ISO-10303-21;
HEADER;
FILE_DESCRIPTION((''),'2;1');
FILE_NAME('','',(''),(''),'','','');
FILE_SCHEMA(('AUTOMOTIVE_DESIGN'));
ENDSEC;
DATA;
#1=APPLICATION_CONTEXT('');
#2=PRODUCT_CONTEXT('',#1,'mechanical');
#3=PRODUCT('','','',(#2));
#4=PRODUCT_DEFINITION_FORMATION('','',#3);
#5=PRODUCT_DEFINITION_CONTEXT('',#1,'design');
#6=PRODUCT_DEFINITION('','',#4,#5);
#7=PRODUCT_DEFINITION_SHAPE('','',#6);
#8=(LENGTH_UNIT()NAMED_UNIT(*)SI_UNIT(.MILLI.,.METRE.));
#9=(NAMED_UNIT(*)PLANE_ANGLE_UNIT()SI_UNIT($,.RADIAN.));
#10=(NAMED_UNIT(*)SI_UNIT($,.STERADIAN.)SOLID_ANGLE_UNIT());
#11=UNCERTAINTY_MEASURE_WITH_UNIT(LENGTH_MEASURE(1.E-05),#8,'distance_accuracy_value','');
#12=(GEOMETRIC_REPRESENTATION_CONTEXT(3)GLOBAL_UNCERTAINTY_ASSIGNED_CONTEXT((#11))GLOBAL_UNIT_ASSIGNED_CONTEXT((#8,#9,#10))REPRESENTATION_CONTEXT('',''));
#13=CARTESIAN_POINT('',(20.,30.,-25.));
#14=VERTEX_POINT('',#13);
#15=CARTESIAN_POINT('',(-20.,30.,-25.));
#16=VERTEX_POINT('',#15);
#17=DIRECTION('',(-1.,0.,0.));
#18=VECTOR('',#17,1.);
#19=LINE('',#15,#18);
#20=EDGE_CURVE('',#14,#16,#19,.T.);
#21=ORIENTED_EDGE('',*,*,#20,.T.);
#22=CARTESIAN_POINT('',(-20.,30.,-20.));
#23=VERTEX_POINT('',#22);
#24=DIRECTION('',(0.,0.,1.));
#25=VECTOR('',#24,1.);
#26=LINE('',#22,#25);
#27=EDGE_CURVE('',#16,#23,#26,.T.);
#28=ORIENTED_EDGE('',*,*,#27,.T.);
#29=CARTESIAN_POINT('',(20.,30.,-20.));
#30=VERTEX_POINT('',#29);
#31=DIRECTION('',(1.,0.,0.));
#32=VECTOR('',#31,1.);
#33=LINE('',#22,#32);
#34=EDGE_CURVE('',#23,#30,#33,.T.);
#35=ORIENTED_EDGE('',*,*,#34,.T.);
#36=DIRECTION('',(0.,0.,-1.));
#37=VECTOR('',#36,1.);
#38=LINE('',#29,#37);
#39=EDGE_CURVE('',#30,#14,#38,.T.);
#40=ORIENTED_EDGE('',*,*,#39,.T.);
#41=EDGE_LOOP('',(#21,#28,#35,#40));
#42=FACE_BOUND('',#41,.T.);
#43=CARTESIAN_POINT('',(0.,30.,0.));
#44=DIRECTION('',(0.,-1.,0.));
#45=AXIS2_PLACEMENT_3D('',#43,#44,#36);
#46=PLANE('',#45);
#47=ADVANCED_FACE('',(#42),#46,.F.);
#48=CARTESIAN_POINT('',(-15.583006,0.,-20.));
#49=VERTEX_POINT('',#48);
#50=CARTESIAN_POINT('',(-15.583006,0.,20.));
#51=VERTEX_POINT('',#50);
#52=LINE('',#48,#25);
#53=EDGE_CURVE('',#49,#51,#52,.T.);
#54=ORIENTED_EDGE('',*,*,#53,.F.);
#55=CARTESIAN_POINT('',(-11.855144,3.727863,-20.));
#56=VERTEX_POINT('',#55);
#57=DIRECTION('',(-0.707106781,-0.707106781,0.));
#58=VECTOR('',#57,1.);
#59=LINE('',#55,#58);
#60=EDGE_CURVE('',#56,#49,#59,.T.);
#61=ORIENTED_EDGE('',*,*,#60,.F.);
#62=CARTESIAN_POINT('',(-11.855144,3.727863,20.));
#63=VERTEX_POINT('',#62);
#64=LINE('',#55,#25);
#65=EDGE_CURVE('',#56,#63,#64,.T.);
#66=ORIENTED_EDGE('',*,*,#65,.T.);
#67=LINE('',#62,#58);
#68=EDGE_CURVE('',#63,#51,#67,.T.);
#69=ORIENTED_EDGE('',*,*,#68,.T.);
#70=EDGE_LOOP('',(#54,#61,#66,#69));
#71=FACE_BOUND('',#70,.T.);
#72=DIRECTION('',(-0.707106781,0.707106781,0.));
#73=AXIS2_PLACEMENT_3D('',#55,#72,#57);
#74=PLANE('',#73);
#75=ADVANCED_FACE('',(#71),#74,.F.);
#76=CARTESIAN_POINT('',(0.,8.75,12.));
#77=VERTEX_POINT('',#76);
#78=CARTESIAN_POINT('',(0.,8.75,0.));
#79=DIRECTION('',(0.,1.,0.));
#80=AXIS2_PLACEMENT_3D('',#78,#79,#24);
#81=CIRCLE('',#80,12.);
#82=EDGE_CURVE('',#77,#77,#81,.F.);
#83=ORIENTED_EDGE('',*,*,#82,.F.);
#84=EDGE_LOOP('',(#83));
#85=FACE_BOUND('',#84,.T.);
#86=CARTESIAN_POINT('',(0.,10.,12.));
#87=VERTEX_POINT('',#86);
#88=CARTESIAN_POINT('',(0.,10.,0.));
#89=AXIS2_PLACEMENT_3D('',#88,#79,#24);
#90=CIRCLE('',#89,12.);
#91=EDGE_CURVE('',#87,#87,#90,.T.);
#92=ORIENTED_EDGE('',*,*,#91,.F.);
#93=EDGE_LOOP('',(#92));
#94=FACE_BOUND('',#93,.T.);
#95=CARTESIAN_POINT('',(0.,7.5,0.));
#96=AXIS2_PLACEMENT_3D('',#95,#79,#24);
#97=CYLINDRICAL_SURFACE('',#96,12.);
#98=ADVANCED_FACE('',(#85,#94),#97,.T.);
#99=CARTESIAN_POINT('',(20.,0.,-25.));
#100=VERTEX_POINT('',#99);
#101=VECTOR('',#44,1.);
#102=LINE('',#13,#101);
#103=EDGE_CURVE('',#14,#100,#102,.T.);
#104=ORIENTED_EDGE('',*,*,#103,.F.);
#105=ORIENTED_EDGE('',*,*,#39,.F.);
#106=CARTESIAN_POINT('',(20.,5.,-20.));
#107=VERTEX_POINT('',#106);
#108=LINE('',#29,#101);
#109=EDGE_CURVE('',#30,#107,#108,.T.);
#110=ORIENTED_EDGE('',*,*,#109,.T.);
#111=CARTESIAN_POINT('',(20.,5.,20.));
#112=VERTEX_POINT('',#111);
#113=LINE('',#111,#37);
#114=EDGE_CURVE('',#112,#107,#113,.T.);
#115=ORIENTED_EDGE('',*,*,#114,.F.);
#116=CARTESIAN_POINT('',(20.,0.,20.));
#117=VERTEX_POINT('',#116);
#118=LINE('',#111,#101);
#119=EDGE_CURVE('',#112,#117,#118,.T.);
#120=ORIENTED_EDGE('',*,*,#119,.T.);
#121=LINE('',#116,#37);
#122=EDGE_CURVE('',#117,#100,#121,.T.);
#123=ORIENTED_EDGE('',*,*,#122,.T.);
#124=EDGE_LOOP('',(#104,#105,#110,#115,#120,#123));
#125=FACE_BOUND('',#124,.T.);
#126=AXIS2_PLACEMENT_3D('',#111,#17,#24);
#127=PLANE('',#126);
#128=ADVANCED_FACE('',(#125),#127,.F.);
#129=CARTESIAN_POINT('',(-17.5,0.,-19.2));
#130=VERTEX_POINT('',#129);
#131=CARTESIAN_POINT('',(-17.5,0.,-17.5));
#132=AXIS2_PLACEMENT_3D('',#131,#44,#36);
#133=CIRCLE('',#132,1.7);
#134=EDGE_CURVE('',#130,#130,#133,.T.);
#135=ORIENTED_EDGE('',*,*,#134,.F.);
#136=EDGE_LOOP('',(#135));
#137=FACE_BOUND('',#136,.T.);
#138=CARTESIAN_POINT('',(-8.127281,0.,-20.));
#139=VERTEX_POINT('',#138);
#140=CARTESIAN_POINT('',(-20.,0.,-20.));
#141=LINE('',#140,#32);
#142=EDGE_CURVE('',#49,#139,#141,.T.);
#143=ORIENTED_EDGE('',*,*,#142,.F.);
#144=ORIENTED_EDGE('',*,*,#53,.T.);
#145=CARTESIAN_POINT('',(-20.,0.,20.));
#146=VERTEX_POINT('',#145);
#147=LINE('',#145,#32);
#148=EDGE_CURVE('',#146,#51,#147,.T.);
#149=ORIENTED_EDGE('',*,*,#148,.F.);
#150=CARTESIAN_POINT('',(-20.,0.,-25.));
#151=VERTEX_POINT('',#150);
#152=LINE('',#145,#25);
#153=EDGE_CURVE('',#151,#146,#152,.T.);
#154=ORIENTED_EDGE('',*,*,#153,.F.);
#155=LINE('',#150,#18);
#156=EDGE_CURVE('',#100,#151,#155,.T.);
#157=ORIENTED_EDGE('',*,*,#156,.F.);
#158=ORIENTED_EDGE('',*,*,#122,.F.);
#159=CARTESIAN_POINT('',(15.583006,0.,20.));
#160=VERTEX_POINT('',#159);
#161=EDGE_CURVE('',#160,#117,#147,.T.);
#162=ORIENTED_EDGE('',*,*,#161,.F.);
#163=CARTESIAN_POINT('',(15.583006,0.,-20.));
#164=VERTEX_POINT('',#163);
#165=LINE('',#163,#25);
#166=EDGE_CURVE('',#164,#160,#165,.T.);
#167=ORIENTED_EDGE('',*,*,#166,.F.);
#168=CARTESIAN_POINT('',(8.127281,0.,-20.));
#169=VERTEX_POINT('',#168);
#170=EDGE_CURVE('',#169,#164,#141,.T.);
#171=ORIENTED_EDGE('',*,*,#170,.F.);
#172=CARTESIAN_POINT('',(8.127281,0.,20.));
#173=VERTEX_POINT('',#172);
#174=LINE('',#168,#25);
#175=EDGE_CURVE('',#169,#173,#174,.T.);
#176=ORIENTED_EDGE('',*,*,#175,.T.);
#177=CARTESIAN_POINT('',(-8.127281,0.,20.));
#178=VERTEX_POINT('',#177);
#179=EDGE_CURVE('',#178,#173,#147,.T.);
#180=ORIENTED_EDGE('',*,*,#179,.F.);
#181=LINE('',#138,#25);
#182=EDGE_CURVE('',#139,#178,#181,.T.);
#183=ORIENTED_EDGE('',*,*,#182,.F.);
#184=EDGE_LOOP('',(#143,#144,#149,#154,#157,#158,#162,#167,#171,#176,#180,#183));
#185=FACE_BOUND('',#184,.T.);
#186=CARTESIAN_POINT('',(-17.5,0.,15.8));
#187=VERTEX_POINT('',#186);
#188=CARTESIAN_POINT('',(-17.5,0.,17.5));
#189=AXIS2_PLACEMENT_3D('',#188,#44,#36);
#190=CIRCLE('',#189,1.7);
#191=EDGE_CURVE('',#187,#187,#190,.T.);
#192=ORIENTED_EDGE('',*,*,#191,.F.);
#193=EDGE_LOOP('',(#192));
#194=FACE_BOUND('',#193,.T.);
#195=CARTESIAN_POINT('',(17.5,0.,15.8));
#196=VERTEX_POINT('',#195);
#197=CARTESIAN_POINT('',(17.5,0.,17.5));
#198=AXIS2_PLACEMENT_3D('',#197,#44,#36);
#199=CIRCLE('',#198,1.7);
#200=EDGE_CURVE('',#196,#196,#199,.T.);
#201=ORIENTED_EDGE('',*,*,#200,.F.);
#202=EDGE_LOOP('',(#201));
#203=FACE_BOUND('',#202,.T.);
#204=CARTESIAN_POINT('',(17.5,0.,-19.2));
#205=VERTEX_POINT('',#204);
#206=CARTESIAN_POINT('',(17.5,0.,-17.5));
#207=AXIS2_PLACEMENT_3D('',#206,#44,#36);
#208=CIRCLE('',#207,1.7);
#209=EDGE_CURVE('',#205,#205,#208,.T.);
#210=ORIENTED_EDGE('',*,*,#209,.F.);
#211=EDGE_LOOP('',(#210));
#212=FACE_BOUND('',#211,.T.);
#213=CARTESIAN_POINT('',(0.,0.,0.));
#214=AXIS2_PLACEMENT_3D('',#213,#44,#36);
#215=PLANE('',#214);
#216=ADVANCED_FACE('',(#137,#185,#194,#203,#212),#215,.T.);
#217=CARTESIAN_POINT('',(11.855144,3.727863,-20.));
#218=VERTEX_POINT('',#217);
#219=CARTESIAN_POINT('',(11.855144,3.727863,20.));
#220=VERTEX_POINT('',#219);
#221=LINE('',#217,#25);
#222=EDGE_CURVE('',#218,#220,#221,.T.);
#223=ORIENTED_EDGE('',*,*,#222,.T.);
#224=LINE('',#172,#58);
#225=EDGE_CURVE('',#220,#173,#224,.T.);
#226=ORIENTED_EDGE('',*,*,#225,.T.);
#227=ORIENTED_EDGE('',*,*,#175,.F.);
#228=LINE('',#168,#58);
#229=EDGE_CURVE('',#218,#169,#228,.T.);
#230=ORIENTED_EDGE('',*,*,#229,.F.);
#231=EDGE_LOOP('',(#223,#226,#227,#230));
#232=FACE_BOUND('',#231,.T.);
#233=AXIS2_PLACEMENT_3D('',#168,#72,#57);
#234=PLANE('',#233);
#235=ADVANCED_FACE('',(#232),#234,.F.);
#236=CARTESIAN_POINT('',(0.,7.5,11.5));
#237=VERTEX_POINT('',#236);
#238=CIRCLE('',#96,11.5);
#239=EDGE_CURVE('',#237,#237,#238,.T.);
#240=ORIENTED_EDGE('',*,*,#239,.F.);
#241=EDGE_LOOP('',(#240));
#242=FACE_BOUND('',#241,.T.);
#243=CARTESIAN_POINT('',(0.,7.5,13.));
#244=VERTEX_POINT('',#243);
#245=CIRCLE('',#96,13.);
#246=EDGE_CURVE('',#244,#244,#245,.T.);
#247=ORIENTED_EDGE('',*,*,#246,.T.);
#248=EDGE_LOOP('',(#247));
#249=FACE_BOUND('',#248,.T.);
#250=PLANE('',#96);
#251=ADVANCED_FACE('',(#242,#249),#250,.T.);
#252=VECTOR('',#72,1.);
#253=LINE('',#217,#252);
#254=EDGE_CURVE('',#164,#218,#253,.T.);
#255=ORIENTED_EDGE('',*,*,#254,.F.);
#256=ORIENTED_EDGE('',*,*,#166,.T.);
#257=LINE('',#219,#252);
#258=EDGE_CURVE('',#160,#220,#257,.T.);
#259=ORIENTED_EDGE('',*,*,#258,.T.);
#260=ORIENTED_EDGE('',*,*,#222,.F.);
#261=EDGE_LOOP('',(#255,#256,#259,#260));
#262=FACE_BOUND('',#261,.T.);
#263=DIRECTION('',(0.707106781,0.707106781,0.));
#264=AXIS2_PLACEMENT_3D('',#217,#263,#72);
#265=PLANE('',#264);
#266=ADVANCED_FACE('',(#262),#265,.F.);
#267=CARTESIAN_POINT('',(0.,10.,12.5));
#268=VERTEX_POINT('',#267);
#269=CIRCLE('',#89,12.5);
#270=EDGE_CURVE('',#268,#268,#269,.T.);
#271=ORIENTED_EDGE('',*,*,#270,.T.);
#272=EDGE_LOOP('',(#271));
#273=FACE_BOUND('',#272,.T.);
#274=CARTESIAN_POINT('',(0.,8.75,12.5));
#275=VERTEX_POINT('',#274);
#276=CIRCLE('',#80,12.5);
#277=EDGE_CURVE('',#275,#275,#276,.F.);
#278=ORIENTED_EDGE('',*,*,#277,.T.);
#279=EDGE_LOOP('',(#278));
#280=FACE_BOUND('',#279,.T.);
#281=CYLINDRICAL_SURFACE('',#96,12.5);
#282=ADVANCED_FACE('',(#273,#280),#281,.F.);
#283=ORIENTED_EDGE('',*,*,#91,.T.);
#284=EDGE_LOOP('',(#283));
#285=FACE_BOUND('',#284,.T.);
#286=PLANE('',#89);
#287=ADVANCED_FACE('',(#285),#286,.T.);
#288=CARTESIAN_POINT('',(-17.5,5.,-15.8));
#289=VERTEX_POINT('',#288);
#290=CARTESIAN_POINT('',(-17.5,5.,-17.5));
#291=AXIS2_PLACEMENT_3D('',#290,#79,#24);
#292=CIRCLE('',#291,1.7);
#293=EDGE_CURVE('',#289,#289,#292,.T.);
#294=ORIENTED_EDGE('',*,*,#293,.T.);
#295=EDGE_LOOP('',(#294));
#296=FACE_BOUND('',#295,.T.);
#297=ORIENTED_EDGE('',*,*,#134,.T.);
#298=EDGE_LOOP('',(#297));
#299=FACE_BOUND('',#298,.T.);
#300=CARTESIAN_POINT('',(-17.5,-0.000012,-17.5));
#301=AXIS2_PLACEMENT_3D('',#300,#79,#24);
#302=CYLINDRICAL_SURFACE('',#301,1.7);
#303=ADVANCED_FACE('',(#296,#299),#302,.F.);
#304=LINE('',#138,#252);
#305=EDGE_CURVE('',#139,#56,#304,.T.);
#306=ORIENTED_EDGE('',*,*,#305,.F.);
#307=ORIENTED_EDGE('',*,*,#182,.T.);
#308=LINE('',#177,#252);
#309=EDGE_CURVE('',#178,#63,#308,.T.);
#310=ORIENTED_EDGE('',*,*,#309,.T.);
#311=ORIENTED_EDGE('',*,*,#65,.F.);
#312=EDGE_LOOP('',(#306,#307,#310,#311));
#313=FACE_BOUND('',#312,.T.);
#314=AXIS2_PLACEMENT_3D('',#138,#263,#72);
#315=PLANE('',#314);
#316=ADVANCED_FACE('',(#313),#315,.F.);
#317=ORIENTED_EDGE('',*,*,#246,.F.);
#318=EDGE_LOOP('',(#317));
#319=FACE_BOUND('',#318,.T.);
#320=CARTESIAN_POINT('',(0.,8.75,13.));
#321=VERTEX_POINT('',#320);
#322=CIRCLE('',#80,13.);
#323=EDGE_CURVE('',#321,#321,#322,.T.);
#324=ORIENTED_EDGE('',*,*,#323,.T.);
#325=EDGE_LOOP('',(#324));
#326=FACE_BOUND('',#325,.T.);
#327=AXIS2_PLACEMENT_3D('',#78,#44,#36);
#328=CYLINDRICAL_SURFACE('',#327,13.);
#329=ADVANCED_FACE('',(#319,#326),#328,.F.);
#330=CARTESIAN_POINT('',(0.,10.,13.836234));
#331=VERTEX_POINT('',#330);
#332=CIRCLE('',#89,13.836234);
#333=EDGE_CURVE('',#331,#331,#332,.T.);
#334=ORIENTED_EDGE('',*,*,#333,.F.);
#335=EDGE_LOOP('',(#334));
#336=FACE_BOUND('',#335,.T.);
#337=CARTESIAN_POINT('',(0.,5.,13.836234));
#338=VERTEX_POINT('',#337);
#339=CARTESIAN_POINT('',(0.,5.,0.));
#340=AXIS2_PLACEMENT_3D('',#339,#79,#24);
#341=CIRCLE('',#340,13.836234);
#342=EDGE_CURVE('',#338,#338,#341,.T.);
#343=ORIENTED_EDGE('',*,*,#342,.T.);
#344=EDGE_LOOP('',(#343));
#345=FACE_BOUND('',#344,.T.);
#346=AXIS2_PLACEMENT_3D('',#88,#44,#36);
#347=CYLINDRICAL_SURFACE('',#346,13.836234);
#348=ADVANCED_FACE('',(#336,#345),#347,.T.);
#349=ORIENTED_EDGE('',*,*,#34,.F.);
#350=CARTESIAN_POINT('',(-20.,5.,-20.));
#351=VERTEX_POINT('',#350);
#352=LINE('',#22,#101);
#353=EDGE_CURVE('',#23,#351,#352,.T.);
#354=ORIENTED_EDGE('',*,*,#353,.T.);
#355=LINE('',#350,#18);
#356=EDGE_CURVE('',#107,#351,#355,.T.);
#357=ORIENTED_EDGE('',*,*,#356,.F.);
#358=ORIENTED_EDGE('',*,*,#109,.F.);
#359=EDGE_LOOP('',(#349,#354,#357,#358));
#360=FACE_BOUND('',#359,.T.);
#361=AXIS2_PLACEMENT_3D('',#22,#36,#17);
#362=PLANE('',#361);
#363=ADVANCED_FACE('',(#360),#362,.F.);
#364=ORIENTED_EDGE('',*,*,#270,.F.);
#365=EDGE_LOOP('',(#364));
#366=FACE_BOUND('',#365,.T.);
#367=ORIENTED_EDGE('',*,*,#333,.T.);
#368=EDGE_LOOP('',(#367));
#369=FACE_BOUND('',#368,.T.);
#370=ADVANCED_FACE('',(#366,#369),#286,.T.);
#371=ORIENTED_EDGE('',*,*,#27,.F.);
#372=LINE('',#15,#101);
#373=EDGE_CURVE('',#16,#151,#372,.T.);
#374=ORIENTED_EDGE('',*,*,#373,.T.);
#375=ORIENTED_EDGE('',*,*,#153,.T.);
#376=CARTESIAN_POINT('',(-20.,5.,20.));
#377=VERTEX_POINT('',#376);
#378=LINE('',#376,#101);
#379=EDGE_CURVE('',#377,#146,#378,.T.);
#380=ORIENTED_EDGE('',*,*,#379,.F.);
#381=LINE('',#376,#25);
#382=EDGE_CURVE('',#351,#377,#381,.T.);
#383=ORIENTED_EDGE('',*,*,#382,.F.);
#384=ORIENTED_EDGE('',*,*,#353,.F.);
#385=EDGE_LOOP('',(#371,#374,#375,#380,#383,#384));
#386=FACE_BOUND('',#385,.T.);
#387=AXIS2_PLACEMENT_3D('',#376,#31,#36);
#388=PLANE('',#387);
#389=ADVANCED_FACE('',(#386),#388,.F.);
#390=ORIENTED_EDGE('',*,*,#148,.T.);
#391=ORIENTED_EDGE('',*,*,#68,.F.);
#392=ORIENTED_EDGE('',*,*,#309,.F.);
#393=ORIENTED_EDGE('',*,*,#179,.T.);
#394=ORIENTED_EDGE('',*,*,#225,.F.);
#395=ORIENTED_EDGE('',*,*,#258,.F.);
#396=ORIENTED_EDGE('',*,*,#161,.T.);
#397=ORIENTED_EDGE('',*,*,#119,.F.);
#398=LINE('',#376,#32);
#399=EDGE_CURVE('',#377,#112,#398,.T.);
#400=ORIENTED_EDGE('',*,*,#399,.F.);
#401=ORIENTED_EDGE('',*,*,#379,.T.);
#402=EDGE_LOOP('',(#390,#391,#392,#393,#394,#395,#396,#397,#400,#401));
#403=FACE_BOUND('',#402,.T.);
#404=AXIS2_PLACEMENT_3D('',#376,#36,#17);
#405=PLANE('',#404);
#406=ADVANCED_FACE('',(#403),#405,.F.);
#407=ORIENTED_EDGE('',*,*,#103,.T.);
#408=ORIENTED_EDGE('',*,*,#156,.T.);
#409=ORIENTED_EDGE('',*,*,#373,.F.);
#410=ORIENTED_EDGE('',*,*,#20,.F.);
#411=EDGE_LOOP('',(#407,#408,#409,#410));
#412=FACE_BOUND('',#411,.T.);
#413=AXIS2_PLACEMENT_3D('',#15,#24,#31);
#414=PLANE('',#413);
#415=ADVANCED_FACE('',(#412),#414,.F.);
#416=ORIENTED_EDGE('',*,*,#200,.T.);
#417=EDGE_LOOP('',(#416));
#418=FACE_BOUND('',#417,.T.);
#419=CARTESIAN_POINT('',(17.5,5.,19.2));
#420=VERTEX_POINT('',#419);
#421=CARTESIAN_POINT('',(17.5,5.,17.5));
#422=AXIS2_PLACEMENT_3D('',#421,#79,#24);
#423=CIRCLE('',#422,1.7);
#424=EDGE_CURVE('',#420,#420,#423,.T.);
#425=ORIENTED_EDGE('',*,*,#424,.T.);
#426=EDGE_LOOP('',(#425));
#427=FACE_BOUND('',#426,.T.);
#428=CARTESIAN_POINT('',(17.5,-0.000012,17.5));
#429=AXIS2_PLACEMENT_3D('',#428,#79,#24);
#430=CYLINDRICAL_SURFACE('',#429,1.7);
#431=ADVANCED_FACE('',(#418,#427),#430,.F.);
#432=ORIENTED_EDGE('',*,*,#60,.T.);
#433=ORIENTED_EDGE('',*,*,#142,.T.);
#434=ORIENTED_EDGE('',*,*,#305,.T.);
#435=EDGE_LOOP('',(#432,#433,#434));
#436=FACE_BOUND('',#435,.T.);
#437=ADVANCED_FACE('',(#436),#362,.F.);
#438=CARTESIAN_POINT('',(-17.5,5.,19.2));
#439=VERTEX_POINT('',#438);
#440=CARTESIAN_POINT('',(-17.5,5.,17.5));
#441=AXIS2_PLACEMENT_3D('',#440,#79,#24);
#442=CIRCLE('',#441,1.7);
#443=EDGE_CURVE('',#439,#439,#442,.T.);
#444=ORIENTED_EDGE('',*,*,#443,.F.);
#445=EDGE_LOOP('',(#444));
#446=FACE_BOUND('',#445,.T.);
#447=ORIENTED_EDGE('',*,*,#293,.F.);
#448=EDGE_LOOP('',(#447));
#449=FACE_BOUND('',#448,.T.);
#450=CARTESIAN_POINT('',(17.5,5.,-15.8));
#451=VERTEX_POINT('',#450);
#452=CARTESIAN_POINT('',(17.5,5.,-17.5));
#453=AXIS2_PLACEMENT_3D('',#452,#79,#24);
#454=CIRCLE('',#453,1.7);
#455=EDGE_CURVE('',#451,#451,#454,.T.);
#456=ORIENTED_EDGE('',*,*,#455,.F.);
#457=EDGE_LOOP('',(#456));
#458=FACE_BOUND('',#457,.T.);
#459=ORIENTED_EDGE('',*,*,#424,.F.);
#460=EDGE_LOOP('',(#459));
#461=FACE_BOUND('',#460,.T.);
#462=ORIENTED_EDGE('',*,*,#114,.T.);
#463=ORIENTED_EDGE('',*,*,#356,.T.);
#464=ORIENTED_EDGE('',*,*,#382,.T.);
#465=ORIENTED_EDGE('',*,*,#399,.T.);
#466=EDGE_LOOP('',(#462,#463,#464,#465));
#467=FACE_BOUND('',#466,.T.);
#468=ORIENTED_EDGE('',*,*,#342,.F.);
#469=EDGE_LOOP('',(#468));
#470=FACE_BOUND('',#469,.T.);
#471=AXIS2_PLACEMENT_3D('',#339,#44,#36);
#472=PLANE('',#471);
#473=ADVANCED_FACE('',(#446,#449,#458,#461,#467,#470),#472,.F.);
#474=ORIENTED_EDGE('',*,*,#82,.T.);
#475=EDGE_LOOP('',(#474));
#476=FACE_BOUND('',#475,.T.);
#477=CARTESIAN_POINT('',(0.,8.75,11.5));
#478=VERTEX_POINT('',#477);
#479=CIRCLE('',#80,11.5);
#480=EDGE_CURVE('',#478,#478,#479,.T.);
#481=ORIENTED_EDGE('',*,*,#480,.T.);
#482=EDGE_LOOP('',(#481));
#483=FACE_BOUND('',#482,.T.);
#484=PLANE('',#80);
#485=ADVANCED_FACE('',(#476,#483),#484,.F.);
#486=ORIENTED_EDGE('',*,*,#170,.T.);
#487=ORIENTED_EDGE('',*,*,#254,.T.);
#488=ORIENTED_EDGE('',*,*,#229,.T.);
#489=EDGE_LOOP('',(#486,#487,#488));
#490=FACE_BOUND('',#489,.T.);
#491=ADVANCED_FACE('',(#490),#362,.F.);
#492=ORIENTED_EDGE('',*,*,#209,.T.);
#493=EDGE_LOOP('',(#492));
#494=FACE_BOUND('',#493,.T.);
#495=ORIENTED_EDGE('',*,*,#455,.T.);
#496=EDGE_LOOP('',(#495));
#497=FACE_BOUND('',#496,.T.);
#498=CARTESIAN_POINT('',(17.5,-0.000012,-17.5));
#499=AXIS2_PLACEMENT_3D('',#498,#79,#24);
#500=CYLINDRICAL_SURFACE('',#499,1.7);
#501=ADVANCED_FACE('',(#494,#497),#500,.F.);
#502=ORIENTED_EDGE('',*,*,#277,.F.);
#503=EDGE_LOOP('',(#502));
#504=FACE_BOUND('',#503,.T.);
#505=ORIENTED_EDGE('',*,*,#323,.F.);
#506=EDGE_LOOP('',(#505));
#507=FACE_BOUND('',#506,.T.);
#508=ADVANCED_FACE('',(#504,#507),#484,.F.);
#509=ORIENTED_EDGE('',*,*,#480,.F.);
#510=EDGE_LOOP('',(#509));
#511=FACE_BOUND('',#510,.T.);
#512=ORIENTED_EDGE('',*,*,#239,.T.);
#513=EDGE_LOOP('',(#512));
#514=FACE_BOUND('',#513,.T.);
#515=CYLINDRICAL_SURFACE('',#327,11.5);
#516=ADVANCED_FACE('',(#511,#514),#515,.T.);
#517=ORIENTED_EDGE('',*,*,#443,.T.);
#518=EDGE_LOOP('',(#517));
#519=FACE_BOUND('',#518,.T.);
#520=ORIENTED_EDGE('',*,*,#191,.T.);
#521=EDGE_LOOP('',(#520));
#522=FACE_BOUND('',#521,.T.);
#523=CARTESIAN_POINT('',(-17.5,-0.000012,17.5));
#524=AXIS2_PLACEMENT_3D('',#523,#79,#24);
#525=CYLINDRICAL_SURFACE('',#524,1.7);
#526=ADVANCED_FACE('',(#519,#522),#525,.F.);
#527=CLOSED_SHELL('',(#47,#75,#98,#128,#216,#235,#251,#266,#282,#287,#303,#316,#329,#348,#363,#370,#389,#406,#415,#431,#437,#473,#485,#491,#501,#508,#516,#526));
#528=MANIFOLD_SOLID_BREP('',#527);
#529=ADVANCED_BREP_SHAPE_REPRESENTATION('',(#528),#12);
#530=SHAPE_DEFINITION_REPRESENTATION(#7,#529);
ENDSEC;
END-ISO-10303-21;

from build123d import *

# Parameters (mm, degrees)
SKETCH_5_W               = 40
SKETCH_5_H               = 40
EXTRUDE_2_DEPTH          = 5
CUT_EXTRUDE_2_DEPTH      = 21
CUT_EXTRUDE_2_DEPTH_BACK = 21
SKETCH_7_R               = 1.7
CUT_EXTRUDE_4_DEPTH      = 6
CUT_EXTRUDE_4_DEPTH_BACK = 1
SKETCH_8_R               = 13.836233659
EXTRUDE_3_DEPTH          = 5
SKETCH_9_R               = 12.5
SKETCH_9_R_2             = 12
CUT_EXTRUDE_5_DEPTH      = 2.5
SKETCH_11_R              = 13
SKETCH_11_R_2            = 11.5
CUT_EXTRUDE_6_DEPTH      = 1.25
SKETCH_13_W              = 40
SKETCH_13_H              = 5
EXTRUDE_5_DEPTH          = 30


with BuildPart() as part:
    # Эскиз5 → Бобышка-Вытянуть2 (new body)
    with BuildSketch(Plane(origin=(0, 0, 0), x_dir=(1, 0, 0), z_dir=(0, 1, 0))):
        Rectangle(SKETCH_5_W, SKETCH_5_H)
    extrude(amount=EXTRUDE_2_DEPTH)

    # Эскиз6 → Вырез-Вытянуть2 (cut, two sides)
    with BuildSketch(Plane.XY) as cut_extrude_2_sk:
        Polygon((8.127281001, 0), (11.855143598, 3.727862597), (15.583006195, 0), align=None)
        Polygon((-8.127281001, 0), (-11.855143598, 3.727862597), (-15.583006195, 0), align=None)
    extrude(amount=CUT_EXTRUDE_2_DEPTH, mode=Mode.SUBTRACT)
    extrude(cut_extrude_2_sk.sketch, amount=-CUT_EXTRUDE_2_DEPTH_BACK, mode=Mode.SUBTRACT)

    # Эскиз7 → Вырез-Вытянуть4 (cut, two sides)
    with BuildSketch(Plane(origin=(0, 0, 0), x_dir=(1, 0, 0), z_dir=(0, 1, 0))) as cut_extrude_4_sk:
        with Locations((-17.5, -17.5)):
            Circle(SKETCH_7_R)
        with Locations((-17.5, 17.5)):
            Circle(SKETCH_7_R)
        with Locations((17.5, 17.5)):
            Circle(SKETCH_7_R)
        with Locations((17.5, -17.5)):
            Circle(SKETCH_7_R)
    extrude(amount=CUT_EXTRUDE_4_DEPTH, mode=Mode.SUBTRACT)
    extrude(cut_extrude_4_sk.sketch, amount=-CUT_EXTRUDE_4_DEPTH_BACK, mode=Mode.SUBTRACT)

    # Эскиз8 → Бобышка-Вытянуть3 (add)
    with BuildSketch(Plane(origin=(0, 5, 0), x_dir=(1, 0, 0), z_dir=(0, 1, 0))):
        Circle(SKETCH_8_R)
    extrude(amount=EXTRUDE_3_DEPTH)

    # Эскиз9 → Вырез-Вытянуть5 (cut)
    with BuildSketch(Plane(origin=(0, 10, 0), x_dir=(1, 0, 0), z_dir=(0, 1, 0))):
        Circle(SKETCH_9_R)
        Circle(SKETCH_9_R_2, mode=Mode.SUBTRACT)
    extrude(amount=-CUT_EXTRUDE_5_DEPTH, mode=Mode.SUBTRACT)

    # Эскиз11 → Вырез-Вытянуть6 (cut)
    with BuildSketch(Plane(origin=(0, 7.5, 0), x_dir=(1, 0, 0), z_dir=(0, 1, 0))):
        Circle(SKETCH_11_R)
        Circle(SKETCH_11_R_2, mode=Mode.SUBTRACT)
    extrude(amount=CUT_EXTRUDE_6_DEPTH, mode=Mode.SUBTRACT)

    # Эскиз13 → Бобышка-Вытянуть5 (add)
    with BuildSketch(Plane(origin=(0, 0, 0), x_dir=(1, 0, 0), z_dir=(0, 1, 0))):
        with Locations((0, 22.5)):
            Rectangle(SKETCH_13_W, SKETCH_13_H)
    extrude(amount=EXTRUDE_5_DEPTH)


solid = part.part
